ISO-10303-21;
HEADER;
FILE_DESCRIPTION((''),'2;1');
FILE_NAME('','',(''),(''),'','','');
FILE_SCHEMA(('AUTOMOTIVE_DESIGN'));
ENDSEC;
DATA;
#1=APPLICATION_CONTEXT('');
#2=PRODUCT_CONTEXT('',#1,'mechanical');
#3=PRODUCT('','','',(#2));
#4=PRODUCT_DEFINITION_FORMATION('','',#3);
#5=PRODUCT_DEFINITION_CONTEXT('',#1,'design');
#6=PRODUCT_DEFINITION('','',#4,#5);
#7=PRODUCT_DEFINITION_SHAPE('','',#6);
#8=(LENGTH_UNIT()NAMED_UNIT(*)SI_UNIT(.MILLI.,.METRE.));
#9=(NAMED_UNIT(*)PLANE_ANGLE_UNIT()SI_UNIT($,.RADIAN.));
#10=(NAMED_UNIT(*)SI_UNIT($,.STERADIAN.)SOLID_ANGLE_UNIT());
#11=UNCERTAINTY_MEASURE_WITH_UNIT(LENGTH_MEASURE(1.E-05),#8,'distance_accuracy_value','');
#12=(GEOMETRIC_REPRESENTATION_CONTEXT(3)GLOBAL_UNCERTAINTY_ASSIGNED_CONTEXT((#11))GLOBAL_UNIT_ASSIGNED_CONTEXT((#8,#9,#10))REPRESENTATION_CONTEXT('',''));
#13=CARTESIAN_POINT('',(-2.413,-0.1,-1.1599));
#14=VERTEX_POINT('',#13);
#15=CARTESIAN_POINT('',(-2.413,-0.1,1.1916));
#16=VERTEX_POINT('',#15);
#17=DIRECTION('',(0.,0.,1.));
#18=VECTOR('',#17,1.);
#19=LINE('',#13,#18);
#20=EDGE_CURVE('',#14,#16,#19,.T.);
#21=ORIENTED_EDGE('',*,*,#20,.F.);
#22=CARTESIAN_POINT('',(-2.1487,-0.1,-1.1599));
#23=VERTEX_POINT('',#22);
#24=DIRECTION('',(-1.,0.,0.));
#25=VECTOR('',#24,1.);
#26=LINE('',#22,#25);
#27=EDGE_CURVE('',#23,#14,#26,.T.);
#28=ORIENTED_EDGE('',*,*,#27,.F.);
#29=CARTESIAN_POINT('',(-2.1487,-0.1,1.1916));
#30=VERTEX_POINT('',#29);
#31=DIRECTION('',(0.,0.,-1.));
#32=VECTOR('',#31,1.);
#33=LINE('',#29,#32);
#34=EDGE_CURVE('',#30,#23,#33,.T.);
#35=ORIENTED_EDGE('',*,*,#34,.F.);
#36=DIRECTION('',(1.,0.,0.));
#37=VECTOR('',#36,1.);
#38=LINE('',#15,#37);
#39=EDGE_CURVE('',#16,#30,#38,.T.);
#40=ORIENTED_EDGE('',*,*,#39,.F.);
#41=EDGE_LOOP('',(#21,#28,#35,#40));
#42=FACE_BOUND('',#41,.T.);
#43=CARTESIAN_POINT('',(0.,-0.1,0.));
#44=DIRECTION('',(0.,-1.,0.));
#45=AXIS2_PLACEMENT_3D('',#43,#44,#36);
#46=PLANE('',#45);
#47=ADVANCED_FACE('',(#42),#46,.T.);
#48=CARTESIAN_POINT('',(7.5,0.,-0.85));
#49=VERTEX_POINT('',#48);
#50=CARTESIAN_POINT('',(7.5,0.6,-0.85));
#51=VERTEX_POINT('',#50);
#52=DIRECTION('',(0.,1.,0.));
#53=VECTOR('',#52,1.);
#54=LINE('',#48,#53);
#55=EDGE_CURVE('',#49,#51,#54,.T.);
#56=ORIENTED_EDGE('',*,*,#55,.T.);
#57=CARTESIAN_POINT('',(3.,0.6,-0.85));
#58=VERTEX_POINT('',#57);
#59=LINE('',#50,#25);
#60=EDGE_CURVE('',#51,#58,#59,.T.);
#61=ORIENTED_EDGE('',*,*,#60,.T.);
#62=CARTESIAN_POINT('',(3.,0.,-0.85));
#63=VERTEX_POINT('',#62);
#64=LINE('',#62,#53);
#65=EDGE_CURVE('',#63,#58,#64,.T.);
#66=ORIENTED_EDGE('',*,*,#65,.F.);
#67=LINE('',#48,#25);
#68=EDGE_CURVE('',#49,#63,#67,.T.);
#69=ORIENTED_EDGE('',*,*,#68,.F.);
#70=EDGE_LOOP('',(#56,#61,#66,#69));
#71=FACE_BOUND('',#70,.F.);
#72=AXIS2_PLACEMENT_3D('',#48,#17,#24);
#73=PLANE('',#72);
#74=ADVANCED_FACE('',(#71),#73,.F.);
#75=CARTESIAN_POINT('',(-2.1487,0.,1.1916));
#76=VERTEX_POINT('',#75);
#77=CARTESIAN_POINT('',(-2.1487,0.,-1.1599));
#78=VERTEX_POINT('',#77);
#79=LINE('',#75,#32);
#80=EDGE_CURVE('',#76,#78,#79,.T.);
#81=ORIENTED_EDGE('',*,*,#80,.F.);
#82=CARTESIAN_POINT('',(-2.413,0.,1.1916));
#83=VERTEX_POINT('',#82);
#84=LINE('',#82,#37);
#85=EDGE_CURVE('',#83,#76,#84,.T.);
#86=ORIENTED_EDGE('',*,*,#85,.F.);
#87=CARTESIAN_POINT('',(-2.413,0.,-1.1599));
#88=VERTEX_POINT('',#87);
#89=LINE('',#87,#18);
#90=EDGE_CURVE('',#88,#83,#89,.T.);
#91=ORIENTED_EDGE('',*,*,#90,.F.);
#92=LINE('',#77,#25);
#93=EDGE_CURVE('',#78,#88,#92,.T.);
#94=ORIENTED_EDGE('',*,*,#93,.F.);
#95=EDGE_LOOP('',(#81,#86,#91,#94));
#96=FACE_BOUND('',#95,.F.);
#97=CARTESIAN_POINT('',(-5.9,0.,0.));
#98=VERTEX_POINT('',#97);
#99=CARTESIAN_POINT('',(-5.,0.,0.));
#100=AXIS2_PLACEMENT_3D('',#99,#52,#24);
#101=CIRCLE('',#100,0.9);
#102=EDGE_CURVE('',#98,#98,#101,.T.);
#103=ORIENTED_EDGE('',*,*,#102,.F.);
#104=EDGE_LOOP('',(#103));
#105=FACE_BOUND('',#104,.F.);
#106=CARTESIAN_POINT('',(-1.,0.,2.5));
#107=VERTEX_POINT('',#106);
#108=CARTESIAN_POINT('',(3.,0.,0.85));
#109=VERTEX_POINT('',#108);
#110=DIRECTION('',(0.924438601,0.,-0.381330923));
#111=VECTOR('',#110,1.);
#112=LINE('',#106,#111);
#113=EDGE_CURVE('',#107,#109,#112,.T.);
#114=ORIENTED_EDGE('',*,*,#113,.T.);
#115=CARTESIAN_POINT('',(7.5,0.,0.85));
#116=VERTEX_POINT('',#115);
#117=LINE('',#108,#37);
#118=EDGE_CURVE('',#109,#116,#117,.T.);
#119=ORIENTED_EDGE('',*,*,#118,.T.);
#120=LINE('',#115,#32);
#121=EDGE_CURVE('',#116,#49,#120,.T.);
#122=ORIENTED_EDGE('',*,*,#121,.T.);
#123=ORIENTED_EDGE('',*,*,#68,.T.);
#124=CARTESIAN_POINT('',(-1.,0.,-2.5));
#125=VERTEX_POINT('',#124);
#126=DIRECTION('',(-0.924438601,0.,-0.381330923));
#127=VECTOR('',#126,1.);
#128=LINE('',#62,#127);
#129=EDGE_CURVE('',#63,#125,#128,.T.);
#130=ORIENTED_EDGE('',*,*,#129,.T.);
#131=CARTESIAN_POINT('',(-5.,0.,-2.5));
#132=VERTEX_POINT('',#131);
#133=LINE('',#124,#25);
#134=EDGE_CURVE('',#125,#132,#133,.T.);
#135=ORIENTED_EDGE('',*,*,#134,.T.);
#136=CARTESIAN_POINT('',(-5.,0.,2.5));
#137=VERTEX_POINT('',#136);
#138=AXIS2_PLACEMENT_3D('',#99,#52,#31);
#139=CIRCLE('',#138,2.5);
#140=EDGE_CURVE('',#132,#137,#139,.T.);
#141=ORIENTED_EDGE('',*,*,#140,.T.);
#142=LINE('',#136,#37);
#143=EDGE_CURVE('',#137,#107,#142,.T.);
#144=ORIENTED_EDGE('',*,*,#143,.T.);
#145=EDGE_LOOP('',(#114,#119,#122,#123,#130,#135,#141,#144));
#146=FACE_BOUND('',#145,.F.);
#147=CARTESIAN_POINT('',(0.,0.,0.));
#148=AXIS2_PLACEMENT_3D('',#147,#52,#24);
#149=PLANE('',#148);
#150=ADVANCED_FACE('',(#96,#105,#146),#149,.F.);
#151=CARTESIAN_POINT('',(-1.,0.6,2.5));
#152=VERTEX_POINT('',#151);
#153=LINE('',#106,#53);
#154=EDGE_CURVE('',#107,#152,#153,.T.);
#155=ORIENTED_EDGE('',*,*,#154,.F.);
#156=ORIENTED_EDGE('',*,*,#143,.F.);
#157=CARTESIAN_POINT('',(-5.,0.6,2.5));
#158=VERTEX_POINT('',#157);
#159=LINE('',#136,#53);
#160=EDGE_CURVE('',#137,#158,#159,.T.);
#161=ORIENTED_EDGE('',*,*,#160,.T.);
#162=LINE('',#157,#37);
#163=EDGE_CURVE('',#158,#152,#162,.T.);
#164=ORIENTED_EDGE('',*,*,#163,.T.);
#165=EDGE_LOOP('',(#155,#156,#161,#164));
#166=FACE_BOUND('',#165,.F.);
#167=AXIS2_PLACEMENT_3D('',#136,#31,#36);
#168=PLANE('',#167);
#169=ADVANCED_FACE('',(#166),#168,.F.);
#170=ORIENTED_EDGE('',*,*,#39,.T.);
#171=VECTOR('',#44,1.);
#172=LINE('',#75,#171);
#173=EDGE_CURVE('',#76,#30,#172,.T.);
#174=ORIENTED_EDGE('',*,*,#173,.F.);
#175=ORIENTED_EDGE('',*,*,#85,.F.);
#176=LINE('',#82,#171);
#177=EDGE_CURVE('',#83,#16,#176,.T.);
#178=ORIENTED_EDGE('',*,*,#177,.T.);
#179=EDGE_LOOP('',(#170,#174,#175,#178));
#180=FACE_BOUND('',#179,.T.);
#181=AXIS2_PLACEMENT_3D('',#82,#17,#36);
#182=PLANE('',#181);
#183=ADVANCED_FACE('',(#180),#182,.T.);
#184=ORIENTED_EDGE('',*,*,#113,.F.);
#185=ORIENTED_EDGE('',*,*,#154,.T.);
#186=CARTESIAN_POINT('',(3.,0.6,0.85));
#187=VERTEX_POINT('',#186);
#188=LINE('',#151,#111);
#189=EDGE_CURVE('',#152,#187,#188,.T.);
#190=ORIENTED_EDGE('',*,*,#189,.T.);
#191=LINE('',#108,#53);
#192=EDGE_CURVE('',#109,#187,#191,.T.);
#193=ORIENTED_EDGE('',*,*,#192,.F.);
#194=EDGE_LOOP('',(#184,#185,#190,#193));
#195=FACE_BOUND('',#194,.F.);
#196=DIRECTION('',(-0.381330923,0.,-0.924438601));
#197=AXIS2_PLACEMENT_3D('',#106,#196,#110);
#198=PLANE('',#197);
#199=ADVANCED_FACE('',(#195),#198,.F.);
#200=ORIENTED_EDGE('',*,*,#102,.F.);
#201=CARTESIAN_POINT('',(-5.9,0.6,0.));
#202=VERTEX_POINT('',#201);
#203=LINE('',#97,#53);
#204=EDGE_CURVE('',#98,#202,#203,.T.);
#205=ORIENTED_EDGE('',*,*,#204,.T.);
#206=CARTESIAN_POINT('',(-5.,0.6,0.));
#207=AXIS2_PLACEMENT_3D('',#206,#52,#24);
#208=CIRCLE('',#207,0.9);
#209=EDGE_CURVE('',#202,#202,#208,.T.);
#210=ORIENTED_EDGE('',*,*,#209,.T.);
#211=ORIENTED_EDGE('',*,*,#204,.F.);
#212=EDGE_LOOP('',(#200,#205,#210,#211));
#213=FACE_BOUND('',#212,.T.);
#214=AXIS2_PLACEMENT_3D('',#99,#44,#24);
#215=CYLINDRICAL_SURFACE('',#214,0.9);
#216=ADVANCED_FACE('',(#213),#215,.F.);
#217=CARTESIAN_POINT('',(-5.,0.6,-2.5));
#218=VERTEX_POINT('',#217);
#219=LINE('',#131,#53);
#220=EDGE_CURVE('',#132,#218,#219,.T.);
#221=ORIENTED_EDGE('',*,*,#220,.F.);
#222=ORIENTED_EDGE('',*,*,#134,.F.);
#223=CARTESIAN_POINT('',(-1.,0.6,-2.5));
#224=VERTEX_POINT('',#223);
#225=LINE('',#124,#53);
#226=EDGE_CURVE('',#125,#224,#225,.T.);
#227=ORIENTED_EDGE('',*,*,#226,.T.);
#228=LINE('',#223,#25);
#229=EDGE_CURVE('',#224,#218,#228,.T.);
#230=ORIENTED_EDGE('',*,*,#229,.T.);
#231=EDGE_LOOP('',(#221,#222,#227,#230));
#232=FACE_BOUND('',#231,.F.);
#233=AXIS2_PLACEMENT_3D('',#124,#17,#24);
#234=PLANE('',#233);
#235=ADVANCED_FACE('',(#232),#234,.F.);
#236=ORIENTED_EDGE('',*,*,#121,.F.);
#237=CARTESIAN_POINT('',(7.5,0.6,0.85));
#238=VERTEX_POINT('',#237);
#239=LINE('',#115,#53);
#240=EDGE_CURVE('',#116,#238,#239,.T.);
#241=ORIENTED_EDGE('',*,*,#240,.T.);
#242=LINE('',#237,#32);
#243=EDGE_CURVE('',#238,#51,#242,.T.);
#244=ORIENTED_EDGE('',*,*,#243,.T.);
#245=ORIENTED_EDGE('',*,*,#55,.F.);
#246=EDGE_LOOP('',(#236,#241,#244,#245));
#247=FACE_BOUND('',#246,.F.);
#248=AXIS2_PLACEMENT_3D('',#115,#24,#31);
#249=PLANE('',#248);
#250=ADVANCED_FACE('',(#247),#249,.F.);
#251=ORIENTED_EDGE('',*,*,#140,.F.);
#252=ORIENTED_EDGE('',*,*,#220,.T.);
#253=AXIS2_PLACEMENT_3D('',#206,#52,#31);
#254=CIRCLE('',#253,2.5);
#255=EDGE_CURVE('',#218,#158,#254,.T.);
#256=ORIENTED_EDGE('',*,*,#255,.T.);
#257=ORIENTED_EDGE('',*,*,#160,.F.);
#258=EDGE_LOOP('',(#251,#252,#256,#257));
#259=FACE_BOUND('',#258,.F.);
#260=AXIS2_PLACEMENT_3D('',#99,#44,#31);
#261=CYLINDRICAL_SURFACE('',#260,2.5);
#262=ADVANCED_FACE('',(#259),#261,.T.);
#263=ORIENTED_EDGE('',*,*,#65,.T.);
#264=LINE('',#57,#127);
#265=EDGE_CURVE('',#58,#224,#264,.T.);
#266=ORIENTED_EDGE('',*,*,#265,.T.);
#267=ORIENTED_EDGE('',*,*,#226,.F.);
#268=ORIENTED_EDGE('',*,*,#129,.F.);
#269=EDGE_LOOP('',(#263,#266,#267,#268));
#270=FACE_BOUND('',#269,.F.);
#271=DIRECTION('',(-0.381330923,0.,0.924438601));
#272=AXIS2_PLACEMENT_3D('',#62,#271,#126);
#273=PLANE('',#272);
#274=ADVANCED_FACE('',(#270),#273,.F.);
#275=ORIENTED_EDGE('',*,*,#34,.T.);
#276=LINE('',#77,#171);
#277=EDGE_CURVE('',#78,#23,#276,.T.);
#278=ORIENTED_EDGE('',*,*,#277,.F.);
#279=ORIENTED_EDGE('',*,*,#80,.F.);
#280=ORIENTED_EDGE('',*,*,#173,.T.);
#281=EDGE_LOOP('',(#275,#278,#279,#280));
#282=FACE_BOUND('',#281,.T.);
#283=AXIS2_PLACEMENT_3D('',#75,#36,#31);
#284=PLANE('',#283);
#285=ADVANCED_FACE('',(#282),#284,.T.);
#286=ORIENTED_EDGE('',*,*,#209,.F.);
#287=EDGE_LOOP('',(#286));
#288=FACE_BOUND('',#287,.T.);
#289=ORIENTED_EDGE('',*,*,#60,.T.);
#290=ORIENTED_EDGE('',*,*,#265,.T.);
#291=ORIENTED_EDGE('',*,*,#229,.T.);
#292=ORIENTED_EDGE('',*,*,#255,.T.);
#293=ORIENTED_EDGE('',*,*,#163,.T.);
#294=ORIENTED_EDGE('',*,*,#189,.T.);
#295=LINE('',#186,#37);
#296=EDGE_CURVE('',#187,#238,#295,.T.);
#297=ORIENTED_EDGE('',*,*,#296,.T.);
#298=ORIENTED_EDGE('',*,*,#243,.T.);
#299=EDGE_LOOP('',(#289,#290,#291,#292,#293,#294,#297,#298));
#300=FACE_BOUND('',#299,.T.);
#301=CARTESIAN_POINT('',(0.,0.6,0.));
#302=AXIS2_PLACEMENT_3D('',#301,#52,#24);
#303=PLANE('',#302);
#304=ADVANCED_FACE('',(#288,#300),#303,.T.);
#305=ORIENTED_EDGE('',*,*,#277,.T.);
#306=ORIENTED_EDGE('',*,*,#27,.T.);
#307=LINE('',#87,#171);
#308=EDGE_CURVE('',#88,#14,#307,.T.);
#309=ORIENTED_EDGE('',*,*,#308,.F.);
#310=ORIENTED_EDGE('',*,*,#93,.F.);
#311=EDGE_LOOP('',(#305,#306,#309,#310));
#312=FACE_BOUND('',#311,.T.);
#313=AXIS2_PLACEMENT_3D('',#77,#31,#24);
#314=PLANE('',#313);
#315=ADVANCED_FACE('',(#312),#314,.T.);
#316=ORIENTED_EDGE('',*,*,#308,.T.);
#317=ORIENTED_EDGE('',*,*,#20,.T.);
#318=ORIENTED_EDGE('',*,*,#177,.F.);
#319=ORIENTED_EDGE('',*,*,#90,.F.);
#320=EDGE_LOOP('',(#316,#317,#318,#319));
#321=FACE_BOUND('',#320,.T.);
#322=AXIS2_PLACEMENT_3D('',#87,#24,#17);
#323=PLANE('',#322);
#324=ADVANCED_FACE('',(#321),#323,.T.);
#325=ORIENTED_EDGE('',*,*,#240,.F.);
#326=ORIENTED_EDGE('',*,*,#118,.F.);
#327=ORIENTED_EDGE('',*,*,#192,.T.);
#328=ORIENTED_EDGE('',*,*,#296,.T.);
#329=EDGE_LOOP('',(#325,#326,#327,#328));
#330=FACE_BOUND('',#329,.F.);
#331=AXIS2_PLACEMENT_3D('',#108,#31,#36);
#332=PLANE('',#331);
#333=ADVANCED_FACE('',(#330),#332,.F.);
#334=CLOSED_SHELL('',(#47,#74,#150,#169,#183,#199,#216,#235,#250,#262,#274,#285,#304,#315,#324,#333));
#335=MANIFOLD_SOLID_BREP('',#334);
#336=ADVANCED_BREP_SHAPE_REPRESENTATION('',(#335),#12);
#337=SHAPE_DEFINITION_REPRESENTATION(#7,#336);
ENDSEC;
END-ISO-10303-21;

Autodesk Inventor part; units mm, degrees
ref_plane "YZ Plane" through (0, 0, 0) normal (1, 0, 0) x (0, 1, 0)
ref_plane "XZ Plane" through (0, 0, 0) normal (0, 1, 0) x (-1, 0, 0)
ref_plane "XY Plane" through (0, 0, 0) normal (0, 0, 1) x (1, 0, 0)
sketch "Sketch2" plane through (0, 0, 0) normal (0, 1, 0) x (-1, 0, 0)
  line L0 (-7.5, 0.85) -> (-7.5, -0.85)
  line L1 (1, -2.5) -> (5, -2.5)
  line L2 (7.5, 2.5) -> (-7.5, -2.5) construction
  line L3 (-7.5, 2.5) -> (7.5, -2.5) construction
  arc A0 (5, -2.5) -> (5, 2.5) centre (5, 0) ccw
  circle A1 centre (5, 0) radius 0.9
  line L4 (-3, 0.85) -> (-7.5, 0.85)
  line L5 (-7.5, 0.85) -> (-7.5, -0.85)
  line L6 (-7.5, -0.85) -> (-3, -0.85)
  line L7 (1, 2.5) -> (-3, 0.85)
  line L8 (-3, -0.85) -> (1, -2.5)
  line L9 (5, 2.5) -> (1, 2.5)
  point P0 (0, 0)
  dimension "d3" = 1.8
extrude "Extrusion1" add sketch "Sketch2" along normal blind 0.6
sketch "Sketch3" plane through (0, 0, 0) normal (0, -1, 0) x (1, 0, 0)
  line L0 (-2.413, -1.1278) -> (-2.413, 1.9227) construction
  line L1 (-2.413, 1.9227) -> (-0.0196, 1.9227) construction
  line L2 (-0.0196, 1.9227) -> (-0.0196, -1.1278) construction
  line L3 (-0.0196, -1.1278) -> (-2.413, -1.1278) construction
  line L4 (-2.1487, 1.1916) -> (-2.1487, -1.1599)
  line L5 (-2.1487, -1.1599) -> (-2.413, -1.1599)
  line L6 (-2.413, -1.1599) -> (-2.413, 1.1916)
  line L7 (-2.413, 1.1916) -> (-2.1487, 1.1916)
  point P0 (0, 0)
extrude "Extrusion2" add sketch "Sketch3" along normal blind 0.1
properties part number "Negative Pin" material "Copper, Alloy"
